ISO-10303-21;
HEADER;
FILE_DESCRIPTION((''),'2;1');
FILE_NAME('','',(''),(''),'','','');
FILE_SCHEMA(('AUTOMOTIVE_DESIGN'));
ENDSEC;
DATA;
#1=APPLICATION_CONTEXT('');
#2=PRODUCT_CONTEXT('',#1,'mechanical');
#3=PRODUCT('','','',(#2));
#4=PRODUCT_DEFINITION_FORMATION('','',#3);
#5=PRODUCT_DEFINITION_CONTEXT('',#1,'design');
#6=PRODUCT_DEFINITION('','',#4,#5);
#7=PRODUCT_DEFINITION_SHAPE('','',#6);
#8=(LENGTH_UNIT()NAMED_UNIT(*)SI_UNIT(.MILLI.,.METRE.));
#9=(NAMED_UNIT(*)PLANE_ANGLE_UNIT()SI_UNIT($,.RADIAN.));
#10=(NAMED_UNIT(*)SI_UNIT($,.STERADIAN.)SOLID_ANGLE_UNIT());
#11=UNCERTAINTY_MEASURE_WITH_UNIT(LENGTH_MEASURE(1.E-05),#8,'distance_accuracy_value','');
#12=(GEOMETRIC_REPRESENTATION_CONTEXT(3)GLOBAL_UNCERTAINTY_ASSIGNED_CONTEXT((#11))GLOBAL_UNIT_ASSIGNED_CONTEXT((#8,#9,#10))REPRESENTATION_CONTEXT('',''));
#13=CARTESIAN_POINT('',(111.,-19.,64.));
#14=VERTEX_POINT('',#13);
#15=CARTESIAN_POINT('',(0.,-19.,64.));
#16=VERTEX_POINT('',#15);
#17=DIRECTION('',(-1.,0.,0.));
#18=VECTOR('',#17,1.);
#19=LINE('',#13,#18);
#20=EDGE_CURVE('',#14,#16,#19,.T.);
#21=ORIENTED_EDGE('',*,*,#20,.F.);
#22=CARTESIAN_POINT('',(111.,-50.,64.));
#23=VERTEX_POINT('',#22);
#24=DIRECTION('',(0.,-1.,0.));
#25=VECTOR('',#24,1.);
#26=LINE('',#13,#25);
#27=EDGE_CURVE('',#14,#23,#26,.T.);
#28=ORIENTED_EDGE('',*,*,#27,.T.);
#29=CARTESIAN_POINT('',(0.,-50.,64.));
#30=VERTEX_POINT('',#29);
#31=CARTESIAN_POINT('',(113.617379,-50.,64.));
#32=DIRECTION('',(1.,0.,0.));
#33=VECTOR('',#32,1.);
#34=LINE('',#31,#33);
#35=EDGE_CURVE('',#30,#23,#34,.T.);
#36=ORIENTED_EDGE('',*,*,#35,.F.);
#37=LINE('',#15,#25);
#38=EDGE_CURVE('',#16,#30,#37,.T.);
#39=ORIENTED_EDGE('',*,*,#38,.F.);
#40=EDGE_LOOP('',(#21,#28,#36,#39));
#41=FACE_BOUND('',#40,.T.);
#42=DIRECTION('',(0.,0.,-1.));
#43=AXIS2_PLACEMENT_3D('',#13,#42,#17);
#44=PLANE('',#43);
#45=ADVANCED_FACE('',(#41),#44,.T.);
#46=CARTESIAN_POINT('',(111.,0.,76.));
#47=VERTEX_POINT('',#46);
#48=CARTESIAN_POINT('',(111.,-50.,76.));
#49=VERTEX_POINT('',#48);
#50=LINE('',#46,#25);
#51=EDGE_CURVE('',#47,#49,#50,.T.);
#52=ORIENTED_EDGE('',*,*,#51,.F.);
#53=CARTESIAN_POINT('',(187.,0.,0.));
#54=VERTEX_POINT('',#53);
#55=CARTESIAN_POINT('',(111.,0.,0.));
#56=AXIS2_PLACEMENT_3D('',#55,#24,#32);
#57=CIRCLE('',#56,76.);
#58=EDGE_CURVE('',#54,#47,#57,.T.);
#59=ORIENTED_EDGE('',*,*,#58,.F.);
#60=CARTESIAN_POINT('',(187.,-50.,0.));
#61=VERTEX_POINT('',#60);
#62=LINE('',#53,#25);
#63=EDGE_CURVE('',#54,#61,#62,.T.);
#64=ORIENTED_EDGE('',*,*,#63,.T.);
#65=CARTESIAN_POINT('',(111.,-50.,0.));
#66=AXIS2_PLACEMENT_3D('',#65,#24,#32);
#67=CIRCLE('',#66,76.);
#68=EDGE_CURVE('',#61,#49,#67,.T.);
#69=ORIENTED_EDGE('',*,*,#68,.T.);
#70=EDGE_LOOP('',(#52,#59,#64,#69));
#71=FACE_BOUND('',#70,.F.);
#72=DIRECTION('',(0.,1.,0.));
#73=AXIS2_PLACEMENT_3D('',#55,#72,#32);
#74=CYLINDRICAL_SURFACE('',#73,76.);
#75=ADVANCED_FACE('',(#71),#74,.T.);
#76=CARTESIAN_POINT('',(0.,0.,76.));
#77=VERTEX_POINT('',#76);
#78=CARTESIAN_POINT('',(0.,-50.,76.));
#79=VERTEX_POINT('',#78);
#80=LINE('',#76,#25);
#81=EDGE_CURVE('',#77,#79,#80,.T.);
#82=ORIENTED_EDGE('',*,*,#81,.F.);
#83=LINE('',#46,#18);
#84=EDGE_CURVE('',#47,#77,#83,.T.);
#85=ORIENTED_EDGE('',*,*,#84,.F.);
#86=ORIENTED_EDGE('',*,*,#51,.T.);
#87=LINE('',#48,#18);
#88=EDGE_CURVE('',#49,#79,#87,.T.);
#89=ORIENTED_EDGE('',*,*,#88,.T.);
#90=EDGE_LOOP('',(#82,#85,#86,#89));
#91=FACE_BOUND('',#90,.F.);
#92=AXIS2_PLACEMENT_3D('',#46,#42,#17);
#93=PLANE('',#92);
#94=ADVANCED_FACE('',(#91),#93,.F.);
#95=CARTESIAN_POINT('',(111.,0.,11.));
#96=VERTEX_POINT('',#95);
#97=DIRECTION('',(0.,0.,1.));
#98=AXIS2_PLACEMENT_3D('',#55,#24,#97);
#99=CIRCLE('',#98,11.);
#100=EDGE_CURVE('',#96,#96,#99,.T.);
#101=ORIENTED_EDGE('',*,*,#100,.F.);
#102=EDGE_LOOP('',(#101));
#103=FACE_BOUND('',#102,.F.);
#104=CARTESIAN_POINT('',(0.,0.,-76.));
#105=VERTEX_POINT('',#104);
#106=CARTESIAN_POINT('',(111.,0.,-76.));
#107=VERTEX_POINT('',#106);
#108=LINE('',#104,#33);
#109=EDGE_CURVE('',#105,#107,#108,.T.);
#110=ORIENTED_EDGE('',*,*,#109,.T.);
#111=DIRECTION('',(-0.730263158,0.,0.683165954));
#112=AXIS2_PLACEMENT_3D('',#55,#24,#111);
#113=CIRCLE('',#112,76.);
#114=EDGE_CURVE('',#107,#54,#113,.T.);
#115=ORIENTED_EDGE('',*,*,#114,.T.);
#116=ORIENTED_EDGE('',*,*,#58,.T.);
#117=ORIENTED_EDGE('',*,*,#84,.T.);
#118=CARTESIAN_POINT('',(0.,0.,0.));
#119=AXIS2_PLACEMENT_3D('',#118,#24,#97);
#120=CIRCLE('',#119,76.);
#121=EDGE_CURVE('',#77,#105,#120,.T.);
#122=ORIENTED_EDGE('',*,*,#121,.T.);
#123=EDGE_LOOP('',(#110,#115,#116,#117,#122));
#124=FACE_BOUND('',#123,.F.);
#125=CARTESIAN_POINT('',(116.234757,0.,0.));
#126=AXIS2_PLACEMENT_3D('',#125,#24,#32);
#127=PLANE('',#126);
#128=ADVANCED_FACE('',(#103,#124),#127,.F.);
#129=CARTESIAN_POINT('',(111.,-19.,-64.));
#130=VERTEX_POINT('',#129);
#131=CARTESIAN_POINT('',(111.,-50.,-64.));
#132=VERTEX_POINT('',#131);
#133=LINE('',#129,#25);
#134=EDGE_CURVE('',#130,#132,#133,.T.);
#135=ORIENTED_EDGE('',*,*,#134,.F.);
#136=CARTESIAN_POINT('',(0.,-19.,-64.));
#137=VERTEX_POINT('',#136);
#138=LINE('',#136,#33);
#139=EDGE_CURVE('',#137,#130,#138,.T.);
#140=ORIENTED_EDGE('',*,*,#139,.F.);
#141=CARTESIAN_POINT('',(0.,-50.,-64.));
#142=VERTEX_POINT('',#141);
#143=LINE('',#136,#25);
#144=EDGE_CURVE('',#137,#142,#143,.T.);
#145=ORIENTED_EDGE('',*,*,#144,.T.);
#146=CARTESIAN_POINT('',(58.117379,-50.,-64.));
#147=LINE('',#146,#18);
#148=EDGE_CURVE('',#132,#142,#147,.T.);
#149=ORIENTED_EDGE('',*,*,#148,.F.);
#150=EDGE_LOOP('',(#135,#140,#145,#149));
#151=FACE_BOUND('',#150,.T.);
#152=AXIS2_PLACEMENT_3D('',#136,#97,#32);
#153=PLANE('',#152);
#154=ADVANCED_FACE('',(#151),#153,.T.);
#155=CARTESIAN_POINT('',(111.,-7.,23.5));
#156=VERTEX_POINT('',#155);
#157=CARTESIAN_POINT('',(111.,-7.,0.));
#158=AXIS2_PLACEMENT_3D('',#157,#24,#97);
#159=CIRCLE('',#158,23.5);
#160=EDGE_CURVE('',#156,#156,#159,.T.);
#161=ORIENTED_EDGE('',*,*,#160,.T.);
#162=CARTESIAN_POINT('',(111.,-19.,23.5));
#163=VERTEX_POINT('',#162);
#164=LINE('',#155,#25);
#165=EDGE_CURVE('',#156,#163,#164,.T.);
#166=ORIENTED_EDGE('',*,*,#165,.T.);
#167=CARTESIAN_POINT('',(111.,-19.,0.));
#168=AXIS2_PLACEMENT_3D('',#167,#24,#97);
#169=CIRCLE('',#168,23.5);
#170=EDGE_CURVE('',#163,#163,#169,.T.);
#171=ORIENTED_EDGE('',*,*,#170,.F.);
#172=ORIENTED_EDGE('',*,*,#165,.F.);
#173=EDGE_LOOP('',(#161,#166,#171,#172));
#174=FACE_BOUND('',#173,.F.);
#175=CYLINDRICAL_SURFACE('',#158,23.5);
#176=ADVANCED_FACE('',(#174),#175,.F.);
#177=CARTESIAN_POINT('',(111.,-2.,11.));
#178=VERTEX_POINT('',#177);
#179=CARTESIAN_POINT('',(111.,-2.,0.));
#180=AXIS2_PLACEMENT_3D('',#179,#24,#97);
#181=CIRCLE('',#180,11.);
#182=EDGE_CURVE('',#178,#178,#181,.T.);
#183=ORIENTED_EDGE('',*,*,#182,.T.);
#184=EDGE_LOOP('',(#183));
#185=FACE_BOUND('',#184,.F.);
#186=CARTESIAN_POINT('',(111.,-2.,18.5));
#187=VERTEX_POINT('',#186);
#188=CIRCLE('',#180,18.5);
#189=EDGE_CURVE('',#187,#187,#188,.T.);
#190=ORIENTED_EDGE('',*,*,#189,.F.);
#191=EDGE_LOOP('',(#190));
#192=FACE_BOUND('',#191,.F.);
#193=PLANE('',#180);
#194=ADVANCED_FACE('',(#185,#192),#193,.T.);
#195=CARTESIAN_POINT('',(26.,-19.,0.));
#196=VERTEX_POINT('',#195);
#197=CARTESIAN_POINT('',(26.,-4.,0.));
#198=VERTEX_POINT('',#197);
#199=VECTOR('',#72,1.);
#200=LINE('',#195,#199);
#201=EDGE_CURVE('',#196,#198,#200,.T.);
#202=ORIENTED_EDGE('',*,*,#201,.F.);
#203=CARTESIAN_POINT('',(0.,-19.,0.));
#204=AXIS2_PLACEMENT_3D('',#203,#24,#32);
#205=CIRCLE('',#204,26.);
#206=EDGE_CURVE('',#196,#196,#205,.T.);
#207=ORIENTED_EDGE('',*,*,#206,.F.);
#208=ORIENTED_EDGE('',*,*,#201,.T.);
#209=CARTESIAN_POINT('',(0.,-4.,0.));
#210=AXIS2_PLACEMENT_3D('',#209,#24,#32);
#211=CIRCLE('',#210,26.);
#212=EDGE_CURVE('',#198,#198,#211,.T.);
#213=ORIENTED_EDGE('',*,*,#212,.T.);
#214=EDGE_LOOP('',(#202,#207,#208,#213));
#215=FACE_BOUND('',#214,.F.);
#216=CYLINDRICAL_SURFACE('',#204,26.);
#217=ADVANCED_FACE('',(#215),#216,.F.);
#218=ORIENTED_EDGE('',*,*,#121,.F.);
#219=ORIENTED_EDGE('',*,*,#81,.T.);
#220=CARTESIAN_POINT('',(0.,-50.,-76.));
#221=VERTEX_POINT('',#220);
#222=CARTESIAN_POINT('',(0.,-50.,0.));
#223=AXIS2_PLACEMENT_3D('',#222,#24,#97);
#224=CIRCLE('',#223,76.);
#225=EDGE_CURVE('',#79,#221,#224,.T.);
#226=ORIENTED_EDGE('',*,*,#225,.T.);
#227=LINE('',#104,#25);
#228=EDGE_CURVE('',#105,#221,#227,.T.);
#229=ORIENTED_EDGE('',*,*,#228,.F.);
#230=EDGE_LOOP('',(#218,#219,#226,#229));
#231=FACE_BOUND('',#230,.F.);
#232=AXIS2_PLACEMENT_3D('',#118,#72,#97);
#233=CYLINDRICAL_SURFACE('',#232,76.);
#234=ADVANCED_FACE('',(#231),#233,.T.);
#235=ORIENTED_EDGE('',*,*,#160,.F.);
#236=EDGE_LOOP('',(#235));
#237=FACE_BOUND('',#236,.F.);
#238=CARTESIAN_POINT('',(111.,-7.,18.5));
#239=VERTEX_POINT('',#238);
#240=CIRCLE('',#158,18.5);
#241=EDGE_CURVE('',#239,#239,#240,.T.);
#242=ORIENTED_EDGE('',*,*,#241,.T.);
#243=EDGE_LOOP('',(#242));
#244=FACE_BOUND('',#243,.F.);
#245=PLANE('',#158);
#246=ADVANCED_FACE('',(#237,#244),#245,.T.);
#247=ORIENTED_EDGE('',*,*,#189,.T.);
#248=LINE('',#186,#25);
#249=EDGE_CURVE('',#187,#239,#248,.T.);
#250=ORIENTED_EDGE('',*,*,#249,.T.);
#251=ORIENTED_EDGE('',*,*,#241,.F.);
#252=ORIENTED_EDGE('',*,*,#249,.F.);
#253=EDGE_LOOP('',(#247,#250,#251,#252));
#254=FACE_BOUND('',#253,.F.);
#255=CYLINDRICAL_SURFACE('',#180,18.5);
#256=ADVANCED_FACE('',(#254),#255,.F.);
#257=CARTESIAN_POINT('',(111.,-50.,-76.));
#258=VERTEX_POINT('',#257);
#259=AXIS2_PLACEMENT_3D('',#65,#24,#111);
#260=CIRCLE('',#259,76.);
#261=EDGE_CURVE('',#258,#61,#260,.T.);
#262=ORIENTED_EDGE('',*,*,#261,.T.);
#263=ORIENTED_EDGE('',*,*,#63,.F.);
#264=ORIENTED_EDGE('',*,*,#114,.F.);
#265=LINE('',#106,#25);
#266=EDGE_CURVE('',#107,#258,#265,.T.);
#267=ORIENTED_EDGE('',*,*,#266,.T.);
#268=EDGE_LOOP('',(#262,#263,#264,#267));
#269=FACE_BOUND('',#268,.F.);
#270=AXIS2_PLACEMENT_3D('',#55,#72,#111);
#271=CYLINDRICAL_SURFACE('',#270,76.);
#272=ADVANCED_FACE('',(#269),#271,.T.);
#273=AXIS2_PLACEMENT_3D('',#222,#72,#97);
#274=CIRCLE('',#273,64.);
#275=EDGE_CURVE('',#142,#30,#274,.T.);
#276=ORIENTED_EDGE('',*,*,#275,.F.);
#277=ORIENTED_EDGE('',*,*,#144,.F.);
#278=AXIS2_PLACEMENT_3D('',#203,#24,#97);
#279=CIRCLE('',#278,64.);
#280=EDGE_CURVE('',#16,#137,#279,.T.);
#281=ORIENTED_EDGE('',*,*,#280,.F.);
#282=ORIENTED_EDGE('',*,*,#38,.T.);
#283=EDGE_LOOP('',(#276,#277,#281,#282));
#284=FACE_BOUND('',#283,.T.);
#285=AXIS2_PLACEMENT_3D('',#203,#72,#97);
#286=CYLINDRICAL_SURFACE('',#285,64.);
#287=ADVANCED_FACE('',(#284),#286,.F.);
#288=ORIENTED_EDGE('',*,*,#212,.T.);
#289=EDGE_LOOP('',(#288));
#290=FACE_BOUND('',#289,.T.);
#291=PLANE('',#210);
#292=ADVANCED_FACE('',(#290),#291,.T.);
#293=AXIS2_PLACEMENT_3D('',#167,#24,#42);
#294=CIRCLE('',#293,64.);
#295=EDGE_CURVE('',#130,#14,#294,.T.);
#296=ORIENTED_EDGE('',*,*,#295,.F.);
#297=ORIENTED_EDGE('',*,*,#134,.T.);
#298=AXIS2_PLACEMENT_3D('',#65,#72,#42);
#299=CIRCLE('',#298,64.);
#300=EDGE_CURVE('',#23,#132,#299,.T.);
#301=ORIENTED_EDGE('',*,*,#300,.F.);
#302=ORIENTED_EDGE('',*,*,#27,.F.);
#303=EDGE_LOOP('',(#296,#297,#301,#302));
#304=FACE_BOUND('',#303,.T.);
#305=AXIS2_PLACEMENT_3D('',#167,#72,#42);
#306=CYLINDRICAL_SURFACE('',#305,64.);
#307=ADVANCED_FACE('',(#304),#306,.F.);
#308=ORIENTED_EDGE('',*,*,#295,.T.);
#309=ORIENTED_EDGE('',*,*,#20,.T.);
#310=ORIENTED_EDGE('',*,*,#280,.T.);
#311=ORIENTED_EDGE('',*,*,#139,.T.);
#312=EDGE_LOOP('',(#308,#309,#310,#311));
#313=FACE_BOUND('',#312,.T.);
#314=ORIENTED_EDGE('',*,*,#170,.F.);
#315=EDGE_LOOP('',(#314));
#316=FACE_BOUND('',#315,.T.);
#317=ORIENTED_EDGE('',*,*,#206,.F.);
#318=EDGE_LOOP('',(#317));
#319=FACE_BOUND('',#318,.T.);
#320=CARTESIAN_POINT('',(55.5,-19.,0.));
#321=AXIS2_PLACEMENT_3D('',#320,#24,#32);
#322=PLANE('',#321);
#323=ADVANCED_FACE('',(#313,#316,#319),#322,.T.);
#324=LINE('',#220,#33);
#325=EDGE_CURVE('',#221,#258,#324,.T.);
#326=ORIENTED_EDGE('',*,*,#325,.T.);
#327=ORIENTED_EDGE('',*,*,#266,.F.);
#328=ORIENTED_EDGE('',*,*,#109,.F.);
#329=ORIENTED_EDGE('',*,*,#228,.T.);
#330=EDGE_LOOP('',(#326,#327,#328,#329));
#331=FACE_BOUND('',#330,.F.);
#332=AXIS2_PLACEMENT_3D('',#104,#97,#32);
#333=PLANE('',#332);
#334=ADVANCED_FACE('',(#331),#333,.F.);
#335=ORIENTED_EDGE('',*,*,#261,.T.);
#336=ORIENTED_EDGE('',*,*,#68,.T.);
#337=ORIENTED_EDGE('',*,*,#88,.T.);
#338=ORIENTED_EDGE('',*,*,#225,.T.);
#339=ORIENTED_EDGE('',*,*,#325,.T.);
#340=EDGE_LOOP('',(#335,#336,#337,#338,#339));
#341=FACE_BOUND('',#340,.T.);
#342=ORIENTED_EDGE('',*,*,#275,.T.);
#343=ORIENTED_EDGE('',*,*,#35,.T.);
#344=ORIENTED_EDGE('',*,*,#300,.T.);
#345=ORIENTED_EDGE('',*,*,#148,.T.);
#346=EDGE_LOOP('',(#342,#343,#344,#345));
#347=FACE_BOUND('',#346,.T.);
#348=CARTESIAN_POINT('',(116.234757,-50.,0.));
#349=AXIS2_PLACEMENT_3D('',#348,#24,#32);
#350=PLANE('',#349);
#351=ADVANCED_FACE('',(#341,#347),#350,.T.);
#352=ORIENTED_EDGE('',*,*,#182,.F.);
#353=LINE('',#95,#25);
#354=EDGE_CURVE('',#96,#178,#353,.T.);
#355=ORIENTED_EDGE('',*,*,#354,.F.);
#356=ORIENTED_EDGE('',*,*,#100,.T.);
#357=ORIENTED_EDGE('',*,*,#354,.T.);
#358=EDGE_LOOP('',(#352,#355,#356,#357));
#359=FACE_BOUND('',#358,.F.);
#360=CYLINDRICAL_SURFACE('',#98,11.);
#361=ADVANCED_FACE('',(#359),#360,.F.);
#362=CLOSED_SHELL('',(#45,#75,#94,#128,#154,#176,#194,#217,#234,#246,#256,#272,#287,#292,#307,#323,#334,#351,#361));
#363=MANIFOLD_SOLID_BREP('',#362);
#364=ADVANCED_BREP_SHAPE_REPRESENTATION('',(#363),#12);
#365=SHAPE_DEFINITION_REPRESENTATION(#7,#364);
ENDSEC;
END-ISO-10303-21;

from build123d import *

# Parameters (mm, degrees)
F1_DEPTH = 50
F4_DEPTH = 50
F5_R     = 26
F6_DEPTH = 15


with BuildPart() as f1:
    # F0 (on Front) → F1 (new body)
    with BuildSketch(Plane.XZ):
        with BuildLine():
            ThreePointArc((111, 76), (80.7507566067, 69.7207521053), (55.5, 51.9206124771))
            ThreePointArc((55.5, 51.9206124771), (70.6894617323, 27.9105714739), (76, 0))
            ThreePointArc((76, 0), (70.6894617323, -27.9105714739), (55.5, -51.9206124771))
            ThreePointArc((55.5, -51.9206124771), (80.7507566067, -69.7207521053), (111, -76))
            ThreePointArc((111, -76), (164.7401153702, -53.7401153702), (187, 0))
            ThreePointArc((187, 0), (164.7401153702, 53.7401153702), (111, 76))
        make_face()
        with BuildLine():
            Line((111, 76), (0, 76))
            ThreePointArc((0, 76), (30.2492433933, 69.7207521053), (55.5, 51.9206124771))
            ThreePointArc((55.5, 51.9206124771), (80.7507566067, 69.7207521053), (111, 76))
        make_face()
        with BuildLine():
            ThreePointArc((76, 0), (70.6894617323, 27.9105714739), (55.5, 51.9206124771))
            ThreePointArc((55.5, 51.9206124771), (35, 0), (55.5, -51.9206124771))
            ThreePointArc((55.5, -51.9206124771), (70.6894617323, -27.9105714739), (76, 0))
        make_face()
        with BuildLine():
            ThreePointArc((55.5, -51.9206124771), (30.2492433933, -69.7207521053), (0, -76))
            Line((0, -76), (111, -76))
            ThreePointArc((111, -76), (80.7507566067, -69.7207521053), (55.5, -51.9206124771))
        make_face()
        with BuildLine():
            ThreePointArc((55.5, 51.9206124771), (30.2492433933, 69.7207521053), (0, 76))
            ThreePointArc((0, 76), (-76, 0), (0, -76))
            ThreePointArc((0, -76), (30.2492433933, -69.7207521053), (55.5, -51.9206124771))
            ThreePointArc((55.5, -51.9206124771), (35, 0), (55.5, 51.9206124771))
        make_face()
    extrude(amount=F1_DEPTH)

    # F3 (on offset) → F4 (cut)
    with BuildSketch(Plane.XZ.offset(19)):
        with BuildLine():
            Line((111, 64), (0, 64))
            ThreePointArc((0, 64), (-64, 0), (0, -64))
            Line((0, -64), (111, -64))
            ThreePointArc((111, -64), (175, 0), (111, 64))
        make_face()
    extrude(amount=F4_DEPTH, mode=Mode.SUBTRACT)

    # F5 (on offset) → F6 (cut)
    with BuildSketch(Plane.XZ.offset(19)):
        Circle(F5_R)
    extrude(amount=-F6_DEPTH, mode=Mode.SUBTRACT)

    # F8 (on offset) → F9 (revolve, cut)
    with BuildSketch(Plane.YZ.offset(111)):
        Polygon((-19, 0), (0, 0), (0, 11), (-2, 11), (-2, 18.5), (-7, 18.5), (-7, 23.5), (-19, 23.5), align=None)
    revolve(axis=Axis((111, -17.5056988373, 0), (0, -1, 0)), mode=Mode.SUBTRACT)


solid = f1.part
